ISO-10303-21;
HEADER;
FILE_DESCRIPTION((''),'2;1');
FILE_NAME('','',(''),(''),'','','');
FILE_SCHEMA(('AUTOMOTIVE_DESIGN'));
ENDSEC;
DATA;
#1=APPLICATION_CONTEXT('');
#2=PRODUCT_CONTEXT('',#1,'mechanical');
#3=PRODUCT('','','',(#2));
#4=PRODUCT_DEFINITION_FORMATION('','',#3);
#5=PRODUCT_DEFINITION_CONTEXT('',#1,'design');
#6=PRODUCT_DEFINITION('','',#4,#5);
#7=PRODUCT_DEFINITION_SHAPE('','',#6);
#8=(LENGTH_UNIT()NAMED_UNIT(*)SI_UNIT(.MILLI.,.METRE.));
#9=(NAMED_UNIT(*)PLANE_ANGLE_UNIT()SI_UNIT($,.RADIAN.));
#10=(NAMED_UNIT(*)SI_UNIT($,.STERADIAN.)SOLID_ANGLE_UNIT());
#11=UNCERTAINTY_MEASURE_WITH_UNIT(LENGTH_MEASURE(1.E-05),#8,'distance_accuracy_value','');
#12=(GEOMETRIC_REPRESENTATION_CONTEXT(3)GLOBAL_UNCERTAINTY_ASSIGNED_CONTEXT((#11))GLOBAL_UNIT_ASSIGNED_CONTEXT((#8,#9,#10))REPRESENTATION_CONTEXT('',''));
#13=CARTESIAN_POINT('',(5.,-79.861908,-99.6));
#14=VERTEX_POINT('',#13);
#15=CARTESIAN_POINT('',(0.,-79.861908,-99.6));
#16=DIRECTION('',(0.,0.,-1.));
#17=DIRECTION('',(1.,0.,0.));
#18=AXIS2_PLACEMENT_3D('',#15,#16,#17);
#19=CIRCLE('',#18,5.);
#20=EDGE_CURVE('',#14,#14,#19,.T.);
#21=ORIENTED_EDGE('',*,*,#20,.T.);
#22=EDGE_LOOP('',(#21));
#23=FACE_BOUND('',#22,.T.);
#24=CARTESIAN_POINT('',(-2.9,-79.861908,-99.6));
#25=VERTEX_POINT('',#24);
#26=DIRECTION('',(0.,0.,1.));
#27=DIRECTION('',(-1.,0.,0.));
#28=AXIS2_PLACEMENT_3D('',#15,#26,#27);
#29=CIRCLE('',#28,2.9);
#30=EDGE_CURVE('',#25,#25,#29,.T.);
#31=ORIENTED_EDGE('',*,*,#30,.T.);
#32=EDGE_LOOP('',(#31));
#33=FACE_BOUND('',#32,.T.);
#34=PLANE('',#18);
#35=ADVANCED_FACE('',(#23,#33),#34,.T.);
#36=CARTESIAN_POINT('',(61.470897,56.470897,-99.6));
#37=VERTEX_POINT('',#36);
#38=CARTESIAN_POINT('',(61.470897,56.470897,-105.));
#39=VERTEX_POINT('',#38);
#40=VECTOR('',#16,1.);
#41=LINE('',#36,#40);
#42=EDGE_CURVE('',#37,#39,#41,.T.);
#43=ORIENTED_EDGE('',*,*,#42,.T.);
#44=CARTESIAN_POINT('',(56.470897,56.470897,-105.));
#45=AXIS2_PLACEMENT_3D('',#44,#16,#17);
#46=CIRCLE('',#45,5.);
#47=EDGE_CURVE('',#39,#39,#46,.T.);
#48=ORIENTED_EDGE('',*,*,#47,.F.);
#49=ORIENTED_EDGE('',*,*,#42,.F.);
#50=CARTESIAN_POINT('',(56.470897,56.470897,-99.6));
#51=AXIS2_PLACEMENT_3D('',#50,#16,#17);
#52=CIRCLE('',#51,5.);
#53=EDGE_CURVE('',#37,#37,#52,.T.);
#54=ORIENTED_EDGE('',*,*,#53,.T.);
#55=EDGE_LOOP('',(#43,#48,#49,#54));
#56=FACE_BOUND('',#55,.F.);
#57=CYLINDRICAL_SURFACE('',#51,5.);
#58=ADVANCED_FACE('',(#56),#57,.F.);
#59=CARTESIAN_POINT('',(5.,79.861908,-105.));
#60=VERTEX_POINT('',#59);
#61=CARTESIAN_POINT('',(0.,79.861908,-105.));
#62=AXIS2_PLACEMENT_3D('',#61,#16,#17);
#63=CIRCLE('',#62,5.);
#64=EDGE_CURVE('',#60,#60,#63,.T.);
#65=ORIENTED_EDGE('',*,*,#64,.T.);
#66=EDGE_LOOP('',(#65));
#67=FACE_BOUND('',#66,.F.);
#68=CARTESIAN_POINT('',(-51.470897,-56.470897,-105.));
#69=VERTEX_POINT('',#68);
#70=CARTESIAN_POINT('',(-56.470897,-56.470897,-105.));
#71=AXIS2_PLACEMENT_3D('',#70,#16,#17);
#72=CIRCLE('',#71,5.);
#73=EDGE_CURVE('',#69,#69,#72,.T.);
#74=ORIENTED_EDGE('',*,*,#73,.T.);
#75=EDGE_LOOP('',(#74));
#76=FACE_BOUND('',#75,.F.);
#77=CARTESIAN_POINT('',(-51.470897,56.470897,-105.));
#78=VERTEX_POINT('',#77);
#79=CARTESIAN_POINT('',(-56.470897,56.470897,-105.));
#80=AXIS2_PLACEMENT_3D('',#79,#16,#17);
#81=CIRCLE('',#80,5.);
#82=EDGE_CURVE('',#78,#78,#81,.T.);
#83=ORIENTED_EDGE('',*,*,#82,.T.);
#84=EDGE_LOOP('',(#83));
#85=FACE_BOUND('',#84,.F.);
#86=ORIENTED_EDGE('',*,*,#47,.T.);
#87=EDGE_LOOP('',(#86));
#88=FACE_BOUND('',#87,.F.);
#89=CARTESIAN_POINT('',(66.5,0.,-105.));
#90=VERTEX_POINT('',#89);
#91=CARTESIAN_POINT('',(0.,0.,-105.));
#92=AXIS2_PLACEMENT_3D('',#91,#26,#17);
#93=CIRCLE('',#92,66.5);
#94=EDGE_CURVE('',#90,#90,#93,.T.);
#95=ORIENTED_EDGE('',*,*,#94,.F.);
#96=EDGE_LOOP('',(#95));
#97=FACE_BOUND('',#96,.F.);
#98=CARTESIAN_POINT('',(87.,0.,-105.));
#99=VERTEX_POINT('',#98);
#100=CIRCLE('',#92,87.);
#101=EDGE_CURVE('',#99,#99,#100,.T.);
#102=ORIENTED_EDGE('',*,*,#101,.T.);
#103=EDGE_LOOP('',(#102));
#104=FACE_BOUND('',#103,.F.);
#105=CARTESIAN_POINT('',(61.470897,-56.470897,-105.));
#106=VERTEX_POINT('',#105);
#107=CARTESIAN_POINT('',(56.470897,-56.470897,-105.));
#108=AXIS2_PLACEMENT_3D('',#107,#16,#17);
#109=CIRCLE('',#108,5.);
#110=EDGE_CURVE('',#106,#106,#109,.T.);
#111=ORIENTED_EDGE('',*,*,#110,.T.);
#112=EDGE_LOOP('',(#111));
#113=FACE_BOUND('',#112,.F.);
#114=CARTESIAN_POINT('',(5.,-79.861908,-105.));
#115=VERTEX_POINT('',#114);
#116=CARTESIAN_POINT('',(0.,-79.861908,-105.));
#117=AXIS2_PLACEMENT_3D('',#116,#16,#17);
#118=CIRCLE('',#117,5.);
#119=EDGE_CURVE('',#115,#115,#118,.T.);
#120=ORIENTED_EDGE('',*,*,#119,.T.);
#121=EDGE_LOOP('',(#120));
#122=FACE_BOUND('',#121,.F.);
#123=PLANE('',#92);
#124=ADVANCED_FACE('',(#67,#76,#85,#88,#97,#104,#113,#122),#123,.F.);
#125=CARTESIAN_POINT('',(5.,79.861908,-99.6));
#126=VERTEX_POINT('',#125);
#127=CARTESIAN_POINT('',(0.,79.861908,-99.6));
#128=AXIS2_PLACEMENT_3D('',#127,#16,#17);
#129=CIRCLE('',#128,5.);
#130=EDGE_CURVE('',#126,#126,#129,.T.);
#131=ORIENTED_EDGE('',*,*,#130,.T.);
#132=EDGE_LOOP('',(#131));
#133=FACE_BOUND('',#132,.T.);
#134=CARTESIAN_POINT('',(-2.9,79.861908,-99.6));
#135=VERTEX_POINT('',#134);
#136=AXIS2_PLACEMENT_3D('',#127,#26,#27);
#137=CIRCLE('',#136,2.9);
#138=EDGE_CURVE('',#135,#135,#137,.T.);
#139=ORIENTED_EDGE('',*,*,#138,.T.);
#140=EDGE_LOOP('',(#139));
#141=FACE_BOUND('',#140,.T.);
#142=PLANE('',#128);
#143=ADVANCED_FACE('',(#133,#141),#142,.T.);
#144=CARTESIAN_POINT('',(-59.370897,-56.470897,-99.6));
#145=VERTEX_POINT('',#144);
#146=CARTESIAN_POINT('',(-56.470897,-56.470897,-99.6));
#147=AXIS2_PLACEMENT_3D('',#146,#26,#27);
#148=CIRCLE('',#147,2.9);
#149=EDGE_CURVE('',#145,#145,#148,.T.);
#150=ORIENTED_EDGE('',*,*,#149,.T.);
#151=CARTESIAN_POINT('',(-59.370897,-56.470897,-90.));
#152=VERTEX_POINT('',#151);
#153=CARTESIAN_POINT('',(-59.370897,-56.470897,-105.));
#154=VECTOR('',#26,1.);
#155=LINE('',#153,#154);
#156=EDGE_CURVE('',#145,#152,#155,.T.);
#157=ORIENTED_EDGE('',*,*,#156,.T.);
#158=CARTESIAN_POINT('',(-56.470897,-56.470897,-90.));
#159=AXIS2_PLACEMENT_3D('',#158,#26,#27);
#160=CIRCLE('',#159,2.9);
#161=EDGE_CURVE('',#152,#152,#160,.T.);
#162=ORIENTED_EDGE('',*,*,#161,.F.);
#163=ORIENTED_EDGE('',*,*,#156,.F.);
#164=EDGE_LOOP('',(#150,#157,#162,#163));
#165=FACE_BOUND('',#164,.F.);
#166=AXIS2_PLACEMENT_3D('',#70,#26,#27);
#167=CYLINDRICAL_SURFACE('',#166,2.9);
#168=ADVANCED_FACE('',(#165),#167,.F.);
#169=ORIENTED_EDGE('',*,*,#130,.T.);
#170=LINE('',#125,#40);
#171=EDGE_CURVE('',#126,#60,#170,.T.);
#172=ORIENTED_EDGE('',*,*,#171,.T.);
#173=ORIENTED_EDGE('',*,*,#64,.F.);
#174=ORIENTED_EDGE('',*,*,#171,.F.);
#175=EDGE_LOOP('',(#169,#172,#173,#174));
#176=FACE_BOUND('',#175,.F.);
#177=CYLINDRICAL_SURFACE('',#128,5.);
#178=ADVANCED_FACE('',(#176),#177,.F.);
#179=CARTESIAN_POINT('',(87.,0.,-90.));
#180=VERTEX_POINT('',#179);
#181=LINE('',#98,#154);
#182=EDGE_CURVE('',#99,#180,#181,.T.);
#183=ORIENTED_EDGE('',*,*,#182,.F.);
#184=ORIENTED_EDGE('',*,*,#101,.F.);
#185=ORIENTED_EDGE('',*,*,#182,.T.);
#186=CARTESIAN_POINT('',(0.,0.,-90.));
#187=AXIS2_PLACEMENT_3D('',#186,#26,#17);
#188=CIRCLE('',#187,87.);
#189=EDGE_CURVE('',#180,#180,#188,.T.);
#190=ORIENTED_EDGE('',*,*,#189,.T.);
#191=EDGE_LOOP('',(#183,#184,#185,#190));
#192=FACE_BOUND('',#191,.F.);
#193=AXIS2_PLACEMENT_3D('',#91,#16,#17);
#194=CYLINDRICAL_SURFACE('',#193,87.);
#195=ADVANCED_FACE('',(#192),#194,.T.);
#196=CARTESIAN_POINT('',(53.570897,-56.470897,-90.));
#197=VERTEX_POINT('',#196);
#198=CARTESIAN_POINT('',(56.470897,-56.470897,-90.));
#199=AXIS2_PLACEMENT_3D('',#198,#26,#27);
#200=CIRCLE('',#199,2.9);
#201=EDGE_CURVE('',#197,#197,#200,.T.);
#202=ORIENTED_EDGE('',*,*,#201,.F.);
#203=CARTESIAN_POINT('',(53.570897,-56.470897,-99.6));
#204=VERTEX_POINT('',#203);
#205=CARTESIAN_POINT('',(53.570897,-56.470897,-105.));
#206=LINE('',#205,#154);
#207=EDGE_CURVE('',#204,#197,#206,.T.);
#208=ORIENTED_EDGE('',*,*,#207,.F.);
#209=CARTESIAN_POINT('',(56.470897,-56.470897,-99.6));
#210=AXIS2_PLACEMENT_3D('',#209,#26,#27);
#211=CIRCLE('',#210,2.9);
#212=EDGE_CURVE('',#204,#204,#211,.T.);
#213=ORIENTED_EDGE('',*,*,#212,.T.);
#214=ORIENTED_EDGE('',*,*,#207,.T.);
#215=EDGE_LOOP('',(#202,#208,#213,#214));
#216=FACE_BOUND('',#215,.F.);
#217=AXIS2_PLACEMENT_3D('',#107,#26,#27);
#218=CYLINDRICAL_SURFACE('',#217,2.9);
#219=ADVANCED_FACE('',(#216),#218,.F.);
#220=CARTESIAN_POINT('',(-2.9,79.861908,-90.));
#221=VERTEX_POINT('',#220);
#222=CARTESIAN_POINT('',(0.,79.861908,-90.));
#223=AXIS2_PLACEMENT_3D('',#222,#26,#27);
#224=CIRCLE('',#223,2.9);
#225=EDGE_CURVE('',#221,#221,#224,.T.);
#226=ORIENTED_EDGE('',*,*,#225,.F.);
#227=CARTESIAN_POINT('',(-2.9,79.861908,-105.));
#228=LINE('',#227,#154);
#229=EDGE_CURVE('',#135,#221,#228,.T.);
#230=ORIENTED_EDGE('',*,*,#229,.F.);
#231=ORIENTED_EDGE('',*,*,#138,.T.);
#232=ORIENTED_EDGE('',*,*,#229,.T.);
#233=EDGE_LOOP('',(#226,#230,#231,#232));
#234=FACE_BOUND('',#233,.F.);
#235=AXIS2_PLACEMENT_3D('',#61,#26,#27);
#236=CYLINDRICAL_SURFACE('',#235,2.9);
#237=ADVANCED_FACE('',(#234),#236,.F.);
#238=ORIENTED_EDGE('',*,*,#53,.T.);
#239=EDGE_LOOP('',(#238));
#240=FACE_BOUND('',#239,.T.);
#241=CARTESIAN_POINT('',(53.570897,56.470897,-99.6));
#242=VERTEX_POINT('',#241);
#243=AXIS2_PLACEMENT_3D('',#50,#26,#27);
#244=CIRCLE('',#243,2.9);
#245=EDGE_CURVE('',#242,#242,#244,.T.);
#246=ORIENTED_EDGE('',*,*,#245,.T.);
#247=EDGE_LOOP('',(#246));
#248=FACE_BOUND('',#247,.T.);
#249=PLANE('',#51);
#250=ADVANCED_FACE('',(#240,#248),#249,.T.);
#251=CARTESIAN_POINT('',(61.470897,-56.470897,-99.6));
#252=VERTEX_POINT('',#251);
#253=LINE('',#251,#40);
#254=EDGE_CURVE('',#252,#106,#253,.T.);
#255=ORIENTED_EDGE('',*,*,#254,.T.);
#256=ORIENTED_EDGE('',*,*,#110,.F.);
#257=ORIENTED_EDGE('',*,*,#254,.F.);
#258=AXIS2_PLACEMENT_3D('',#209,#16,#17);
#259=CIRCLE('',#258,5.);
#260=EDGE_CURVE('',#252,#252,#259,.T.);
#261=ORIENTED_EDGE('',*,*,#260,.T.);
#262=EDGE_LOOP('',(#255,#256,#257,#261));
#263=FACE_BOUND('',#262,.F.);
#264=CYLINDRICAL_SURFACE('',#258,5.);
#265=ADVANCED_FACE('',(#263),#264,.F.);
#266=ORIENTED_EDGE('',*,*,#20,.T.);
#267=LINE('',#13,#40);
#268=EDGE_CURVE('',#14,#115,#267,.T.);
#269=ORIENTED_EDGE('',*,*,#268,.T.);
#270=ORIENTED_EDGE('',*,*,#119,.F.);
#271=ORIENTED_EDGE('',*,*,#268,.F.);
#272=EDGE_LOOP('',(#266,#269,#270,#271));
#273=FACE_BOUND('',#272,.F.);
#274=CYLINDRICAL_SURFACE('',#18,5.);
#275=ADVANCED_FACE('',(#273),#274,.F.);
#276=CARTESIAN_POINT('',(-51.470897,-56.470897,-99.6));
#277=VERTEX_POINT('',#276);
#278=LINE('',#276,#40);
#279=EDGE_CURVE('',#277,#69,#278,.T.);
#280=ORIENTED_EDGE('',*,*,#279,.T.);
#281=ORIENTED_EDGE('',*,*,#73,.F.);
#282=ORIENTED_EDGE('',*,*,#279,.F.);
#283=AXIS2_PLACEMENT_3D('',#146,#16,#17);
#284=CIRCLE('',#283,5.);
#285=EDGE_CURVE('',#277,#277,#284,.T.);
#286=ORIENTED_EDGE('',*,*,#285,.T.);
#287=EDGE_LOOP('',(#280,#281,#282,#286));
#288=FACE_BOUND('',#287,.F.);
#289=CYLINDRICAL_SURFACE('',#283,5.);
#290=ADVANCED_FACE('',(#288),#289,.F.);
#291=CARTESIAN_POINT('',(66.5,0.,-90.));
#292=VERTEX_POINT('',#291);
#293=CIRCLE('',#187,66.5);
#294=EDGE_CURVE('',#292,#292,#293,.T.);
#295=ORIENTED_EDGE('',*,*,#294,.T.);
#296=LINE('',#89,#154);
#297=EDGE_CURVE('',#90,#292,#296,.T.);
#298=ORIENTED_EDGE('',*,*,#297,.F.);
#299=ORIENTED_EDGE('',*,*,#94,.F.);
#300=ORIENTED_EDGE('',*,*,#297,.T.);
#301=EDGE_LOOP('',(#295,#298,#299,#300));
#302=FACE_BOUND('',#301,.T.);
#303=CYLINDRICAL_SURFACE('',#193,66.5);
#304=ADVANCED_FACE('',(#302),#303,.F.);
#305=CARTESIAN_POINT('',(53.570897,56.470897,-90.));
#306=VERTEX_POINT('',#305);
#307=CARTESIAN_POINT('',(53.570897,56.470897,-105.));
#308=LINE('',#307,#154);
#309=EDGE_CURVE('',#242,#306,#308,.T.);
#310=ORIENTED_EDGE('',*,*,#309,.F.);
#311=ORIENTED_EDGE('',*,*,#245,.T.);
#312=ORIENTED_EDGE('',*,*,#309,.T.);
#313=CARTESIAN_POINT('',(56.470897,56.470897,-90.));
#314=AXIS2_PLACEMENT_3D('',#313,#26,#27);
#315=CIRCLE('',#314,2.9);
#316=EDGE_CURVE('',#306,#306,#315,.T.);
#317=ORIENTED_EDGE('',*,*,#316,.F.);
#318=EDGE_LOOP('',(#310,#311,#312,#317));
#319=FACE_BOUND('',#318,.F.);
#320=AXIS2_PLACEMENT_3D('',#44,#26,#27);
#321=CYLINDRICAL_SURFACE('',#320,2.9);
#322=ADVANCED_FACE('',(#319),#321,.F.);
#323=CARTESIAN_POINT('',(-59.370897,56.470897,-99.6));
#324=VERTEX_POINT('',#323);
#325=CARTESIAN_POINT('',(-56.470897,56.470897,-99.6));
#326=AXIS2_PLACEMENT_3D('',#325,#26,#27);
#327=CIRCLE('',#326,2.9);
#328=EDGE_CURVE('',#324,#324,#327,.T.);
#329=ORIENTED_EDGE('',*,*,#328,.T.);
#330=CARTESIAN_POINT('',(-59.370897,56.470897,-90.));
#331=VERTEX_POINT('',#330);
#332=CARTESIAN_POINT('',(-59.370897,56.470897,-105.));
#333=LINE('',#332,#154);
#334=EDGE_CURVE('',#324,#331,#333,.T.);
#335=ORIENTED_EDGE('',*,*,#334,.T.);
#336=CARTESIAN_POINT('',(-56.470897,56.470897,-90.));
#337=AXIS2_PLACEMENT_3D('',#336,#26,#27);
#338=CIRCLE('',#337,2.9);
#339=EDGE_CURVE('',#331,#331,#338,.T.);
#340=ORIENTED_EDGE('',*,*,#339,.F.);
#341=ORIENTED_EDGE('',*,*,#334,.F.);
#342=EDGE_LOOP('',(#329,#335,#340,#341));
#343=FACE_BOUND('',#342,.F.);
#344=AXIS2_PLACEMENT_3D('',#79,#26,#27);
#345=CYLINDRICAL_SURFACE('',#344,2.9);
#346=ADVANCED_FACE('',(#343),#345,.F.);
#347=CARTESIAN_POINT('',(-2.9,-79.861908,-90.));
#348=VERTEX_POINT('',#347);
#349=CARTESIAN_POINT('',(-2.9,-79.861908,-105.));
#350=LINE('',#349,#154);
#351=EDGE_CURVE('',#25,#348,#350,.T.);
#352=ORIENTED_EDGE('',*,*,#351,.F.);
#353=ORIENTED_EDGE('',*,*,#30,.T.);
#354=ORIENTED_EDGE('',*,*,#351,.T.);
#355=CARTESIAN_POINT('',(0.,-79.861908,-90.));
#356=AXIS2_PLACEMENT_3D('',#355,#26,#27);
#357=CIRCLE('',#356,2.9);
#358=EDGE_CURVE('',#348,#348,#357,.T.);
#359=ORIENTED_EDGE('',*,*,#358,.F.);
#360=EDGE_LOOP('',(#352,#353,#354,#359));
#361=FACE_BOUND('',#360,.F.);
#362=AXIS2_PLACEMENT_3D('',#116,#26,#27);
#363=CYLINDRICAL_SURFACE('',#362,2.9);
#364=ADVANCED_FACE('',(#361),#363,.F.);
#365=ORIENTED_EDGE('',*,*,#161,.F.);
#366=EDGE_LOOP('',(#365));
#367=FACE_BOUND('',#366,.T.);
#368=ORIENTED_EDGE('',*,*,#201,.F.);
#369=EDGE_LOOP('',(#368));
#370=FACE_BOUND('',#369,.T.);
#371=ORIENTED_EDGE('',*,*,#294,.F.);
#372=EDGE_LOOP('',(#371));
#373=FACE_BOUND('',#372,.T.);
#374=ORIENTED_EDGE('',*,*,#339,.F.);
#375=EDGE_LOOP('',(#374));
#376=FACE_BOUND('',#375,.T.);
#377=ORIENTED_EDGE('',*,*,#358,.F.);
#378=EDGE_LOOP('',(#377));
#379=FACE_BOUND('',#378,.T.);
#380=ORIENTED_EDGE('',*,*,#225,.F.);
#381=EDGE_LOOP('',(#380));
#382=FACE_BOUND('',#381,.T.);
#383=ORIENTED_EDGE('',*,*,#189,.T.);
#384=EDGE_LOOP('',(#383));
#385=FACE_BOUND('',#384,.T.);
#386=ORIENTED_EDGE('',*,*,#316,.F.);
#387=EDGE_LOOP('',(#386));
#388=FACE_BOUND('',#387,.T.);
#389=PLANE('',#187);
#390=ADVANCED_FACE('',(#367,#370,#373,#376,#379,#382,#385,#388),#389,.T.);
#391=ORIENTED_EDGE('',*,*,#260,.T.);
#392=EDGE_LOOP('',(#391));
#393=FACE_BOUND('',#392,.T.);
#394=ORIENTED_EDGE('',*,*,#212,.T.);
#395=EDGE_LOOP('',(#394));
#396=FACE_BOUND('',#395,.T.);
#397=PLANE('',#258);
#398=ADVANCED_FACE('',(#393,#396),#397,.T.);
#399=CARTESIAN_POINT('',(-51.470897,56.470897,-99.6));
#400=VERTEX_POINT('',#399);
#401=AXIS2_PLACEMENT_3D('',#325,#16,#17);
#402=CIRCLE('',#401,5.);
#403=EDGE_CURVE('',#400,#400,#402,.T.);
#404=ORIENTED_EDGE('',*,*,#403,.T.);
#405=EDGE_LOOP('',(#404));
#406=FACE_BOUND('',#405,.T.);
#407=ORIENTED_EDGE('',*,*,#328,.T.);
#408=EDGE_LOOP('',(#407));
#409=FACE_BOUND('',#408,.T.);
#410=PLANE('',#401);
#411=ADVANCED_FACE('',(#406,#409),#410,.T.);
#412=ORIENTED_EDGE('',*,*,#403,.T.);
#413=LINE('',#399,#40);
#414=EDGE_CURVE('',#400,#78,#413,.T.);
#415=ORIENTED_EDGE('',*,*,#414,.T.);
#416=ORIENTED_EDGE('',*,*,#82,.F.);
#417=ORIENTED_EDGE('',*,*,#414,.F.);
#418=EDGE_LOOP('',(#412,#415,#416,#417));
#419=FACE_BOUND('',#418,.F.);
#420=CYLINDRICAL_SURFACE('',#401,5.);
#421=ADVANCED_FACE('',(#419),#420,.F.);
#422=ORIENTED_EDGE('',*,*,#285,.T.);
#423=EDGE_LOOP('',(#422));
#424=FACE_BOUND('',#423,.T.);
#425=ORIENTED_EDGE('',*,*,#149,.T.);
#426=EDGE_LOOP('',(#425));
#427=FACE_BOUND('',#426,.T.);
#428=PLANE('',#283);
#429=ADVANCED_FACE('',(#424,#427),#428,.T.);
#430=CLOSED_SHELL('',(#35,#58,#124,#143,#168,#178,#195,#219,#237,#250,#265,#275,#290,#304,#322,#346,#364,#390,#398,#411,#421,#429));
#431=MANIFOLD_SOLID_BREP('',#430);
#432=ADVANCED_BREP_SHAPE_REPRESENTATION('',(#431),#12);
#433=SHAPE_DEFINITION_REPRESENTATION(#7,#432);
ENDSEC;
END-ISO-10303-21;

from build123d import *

# Parameters (mm, degrees)
CYLINDER057_R       = 87
CYLINDER057_DEPTH   = 15
CYLINDER058_R       = 66.5
CYLINDER058_DEPTH   = 15
HOLE019_D           = 5.8
HOLE019_DEPTH       = 25
HOLE019_CBORE_D     = 10
HOLE019_CBORE_DEPTH = 5.4


with BuildPart() as part:
    # Cylinder057 → Cylinder057 (join)
    with BuildSketch(Plane.XY):
        Circle(CYLINDER057_R)
    extrude(amount=CYLINDER057_DEPTH)

    # Cylinder058 → Cylinder058 (cut)
    with BuildSketch(Plane.XY):
        Circle(CYLINDER058_R)
    extrude(amount=CYLINDER058_DEPTH, mode=Mode.SUBTRACT)

    # Hole019
    with Locations(Plane(origin=(0, 0, 0), x_dir=(1, 0, 0), z_dir=(0, 0, -1))):
        with Locations((0, -79.861908), (56.470897, -56.470897), (56.470897, 56.470897), (0, 79.861908), (-56.470897, 56.470897), (-56.470897, -56.470897), (0, -79.861908)):
            CounterBoreHole(HOLE019_D / 2, HOLE019_CBORE_D / 2, HOLE019_CBORE_DEPTH, depth=HOLE019_DEPTH)


with BuildPart() as part_1:
    # Body055 placement: moved
    add(part.part.moved(Location((0, 0, -105))))


solid = part_1.part
